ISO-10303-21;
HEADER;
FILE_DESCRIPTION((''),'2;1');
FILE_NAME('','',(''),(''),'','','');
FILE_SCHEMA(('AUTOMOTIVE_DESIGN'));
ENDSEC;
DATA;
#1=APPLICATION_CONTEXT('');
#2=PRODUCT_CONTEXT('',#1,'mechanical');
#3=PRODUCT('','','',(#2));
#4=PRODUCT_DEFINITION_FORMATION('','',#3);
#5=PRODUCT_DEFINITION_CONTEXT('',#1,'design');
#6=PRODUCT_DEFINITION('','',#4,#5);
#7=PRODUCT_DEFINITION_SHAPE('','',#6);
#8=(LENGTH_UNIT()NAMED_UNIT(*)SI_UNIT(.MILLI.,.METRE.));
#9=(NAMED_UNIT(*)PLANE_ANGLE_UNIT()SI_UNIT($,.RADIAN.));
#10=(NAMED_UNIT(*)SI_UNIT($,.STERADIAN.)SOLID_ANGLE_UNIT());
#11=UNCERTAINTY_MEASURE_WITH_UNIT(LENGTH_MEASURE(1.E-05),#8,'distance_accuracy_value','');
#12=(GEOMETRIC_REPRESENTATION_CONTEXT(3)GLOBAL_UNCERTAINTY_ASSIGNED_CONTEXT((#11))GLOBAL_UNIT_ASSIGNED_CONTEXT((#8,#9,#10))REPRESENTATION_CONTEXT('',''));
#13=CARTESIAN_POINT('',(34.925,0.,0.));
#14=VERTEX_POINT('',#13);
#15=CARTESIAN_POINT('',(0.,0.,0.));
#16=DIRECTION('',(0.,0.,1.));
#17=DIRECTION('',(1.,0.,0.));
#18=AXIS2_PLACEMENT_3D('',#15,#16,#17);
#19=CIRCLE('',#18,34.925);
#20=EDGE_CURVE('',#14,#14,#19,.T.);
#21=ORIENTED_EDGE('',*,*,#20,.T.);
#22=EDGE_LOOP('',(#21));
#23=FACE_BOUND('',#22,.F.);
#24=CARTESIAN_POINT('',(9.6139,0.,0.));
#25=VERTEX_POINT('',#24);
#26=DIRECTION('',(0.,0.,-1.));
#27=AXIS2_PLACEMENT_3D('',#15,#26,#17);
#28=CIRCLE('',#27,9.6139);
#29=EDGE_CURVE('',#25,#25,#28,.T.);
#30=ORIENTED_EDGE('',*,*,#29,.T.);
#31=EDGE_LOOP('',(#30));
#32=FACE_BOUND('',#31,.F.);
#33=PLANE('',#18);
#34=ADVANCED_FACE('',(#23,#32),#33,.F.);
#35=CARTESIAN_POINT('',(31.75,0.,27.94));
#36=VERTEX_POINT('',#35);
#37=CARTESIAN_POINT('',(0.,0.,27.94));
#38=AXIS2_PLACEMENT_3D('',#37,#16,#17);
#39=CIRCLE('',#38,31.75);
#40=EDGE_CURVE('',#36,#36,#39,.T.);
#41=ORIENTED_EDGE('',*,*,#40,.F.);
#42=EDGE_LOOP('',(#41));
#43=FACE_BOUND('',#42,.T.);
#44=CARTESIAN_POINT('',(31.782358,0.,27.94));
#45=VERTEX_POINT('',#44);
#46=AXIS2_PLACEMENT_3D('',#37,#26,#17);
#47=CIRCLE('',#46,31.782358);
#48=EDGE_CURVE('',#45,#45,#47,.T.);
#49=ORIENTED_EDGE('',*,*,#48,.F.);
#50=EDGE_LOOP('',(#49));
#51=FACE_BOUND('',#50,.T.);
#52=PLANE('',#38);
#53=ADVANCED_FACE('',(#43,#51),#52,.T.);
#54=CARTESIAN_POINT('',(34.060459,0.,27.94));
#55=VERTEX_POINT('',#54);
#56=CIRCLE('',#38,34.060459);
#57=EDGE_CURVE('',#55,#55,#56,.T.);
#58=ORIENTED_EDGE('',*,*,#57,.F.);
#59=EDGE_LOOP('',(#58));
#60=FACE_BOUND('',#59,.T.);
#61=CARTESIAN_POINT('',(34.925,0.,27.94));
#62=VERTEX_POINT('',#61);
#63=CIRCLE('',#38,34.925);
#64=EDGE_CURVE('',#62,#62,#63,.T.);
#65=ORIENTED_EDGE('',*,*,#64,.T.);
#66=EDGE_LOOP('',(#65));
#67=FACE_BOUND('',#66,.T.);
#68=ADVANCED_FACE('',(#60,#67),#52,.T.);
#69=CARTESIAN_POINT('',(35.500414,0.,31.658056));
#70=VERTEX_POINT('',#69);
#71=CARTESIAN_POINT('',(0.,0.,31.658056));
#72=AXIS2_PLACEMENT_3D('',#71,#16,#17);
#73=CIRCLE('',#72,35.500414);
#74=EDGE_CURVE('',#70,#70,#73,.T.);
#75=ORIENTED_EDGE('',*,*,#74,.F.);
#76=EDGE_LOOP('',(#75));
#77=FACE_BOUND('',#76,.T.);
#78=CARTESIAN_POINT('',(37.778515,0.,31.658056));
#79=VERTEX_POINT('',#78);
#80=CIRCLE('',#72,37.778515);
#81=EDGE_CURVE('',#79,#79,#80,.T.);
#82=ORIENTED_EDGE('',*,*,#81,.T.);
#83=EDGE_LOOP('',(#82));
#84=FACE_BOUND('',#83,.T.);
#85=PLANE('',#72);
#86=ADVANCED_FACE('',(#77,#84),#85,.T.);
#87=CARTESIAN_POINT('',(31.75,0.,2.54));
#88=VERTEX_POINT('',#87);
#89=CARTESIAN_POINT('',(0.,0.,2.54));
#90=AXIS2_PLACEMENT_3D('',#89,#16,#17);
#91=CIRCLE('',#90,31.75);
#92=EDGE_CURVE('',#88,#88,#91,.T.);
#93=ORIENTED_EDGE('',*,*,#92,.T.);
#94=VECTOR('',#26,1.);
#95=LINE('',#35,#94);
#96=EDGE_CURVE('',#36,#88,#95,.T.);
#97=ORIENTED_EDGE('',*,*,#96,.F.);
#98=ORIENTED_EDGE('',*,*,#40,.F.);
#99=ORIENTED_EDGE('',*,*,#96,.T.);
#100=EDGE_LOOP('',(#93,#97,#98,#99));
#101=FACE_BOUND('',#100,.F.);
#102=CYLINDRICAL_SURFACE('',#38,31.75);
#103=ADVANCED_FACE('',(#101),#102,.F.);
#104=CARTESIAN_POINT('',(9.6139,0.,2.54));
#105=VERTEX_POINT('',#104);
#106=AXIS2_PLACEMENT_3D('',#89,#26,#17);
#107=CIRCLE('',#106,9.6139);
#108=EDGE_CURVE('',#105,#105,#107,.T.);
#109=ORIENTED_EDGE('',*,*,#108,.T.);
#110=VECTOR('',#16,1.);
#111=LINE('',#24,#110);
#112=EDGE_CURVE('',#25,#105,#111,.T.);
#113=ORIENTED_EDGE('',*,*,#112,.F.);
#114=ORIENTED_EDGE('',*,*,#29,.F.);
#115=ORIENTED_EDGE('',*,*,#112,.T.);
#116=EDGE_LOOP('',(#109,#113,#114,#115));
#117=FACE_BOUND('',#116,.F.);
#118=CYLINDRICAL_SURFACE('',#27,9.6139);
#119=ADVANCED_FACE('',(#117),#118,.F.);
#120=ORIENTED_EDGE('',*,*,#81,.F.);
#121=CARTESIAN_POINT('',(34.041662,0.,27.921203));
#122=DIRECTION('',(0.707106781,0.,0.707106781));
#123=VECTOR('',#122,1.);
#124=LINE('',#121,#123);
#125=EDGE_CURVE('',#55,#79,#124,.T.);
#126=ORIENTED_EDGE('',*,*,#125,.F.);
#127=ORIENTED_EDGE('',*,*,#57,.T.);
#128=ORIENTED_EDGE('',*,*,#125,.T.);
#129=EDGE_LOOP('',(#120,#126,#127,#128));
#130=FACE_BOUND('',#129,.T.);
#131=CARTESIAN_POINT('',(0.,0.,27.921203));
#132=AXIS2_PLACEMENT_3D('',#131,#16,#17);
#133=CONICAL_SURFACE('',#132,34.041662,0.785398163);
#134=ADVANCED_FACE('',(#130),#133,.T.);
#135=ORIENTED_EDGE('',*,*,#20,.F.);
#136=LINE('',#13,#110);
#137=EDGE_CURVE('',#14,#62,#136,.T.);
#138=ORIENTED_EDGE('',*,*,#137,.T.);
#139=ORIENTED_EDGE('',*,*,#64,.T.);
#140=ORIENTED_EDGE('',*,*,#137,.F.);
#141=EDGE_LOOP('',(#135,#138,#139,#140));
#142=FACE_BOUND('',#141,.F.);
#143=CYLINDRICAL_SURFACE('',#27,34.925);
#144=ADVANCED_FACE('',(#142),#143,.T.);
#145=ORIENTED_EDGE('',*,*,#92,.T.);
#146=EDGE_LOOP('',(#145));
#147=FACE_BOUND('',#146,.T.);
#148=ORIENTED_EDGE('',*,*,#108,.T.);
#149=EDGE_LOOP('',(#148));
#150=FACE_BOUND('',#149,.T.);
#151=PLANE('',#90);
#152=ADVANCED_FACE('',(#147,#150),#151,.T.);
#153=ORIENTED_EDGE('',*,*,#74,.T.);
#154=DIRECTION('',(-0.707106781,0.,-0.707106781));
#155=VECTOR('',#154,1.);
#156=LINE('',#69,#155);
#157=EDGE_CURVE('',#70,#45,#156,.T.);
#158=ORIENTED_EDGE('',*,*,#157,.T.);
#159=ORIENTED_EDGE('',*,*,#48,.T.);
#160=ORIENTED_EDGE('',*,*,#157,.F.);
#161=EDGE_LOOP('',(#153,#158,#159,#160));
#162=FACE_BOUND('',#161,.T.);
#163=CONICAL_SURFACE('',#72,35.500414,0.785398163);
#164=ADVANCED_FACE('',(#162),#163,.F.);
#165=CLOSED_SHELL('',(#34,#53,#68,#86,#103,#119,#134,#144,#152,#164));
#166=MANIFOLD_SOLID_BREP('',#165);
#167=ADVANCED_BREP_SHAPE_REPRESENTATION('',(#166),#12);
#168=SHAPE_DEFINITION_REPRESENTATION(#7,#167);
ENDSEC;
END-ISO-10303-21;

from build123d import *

# Parameters (mm, degrees)
SKETCH125_R     = 34.925
PAD046_DEPTH    = 27.94
SKETCH126_R     = 31.75
POCKET046_DEPTH = 25.4
SKETCH127_R     = 9.6139
POCKET047_DEPTH = 27.941


with BuildPart() as part:
    # Sketch125 → Pad046 (new body)
    with BuildSketch(Plane.XY):
        Circle(SKETCH125_R)
    extrude(amount=PAD046_DEPTH)

    # Sketch126 (on Face3 of Pad046) → Pocket046 (cut)
    with BuildSketch(Plane.XY.offset(27.94)):
        Circle(SKETCH126_R)
    extrude(amount=-POCKET046_DEPTH, mode=Mode.SUBTRACT)

    # Sketch127 (on Face2 of Pocket046) → Pocket047 (cut, through all)
    with BuildSketch(Plane(origin=(0, 0, 0), x_dir=(1, 0, 0), z_dir=(0, 0, -1))):
        Circle(SKETCH127_R)
    extrude(amount=-POCKET047_DEPTH, mode=Mode.SUBTRACT)

    # Sketch131 → Revolution001 (revolve)
    with BuildSketch(Plane.XZ):
        Polygon((34.041662, 27.921203), (37.778515, 31.658056), (35.500414, 31.658056), (31.763561, 27.921203), align=None)
    revolve(axis=Axis((0, 0, 0), (0, 0, 1)))


solid = part.part
